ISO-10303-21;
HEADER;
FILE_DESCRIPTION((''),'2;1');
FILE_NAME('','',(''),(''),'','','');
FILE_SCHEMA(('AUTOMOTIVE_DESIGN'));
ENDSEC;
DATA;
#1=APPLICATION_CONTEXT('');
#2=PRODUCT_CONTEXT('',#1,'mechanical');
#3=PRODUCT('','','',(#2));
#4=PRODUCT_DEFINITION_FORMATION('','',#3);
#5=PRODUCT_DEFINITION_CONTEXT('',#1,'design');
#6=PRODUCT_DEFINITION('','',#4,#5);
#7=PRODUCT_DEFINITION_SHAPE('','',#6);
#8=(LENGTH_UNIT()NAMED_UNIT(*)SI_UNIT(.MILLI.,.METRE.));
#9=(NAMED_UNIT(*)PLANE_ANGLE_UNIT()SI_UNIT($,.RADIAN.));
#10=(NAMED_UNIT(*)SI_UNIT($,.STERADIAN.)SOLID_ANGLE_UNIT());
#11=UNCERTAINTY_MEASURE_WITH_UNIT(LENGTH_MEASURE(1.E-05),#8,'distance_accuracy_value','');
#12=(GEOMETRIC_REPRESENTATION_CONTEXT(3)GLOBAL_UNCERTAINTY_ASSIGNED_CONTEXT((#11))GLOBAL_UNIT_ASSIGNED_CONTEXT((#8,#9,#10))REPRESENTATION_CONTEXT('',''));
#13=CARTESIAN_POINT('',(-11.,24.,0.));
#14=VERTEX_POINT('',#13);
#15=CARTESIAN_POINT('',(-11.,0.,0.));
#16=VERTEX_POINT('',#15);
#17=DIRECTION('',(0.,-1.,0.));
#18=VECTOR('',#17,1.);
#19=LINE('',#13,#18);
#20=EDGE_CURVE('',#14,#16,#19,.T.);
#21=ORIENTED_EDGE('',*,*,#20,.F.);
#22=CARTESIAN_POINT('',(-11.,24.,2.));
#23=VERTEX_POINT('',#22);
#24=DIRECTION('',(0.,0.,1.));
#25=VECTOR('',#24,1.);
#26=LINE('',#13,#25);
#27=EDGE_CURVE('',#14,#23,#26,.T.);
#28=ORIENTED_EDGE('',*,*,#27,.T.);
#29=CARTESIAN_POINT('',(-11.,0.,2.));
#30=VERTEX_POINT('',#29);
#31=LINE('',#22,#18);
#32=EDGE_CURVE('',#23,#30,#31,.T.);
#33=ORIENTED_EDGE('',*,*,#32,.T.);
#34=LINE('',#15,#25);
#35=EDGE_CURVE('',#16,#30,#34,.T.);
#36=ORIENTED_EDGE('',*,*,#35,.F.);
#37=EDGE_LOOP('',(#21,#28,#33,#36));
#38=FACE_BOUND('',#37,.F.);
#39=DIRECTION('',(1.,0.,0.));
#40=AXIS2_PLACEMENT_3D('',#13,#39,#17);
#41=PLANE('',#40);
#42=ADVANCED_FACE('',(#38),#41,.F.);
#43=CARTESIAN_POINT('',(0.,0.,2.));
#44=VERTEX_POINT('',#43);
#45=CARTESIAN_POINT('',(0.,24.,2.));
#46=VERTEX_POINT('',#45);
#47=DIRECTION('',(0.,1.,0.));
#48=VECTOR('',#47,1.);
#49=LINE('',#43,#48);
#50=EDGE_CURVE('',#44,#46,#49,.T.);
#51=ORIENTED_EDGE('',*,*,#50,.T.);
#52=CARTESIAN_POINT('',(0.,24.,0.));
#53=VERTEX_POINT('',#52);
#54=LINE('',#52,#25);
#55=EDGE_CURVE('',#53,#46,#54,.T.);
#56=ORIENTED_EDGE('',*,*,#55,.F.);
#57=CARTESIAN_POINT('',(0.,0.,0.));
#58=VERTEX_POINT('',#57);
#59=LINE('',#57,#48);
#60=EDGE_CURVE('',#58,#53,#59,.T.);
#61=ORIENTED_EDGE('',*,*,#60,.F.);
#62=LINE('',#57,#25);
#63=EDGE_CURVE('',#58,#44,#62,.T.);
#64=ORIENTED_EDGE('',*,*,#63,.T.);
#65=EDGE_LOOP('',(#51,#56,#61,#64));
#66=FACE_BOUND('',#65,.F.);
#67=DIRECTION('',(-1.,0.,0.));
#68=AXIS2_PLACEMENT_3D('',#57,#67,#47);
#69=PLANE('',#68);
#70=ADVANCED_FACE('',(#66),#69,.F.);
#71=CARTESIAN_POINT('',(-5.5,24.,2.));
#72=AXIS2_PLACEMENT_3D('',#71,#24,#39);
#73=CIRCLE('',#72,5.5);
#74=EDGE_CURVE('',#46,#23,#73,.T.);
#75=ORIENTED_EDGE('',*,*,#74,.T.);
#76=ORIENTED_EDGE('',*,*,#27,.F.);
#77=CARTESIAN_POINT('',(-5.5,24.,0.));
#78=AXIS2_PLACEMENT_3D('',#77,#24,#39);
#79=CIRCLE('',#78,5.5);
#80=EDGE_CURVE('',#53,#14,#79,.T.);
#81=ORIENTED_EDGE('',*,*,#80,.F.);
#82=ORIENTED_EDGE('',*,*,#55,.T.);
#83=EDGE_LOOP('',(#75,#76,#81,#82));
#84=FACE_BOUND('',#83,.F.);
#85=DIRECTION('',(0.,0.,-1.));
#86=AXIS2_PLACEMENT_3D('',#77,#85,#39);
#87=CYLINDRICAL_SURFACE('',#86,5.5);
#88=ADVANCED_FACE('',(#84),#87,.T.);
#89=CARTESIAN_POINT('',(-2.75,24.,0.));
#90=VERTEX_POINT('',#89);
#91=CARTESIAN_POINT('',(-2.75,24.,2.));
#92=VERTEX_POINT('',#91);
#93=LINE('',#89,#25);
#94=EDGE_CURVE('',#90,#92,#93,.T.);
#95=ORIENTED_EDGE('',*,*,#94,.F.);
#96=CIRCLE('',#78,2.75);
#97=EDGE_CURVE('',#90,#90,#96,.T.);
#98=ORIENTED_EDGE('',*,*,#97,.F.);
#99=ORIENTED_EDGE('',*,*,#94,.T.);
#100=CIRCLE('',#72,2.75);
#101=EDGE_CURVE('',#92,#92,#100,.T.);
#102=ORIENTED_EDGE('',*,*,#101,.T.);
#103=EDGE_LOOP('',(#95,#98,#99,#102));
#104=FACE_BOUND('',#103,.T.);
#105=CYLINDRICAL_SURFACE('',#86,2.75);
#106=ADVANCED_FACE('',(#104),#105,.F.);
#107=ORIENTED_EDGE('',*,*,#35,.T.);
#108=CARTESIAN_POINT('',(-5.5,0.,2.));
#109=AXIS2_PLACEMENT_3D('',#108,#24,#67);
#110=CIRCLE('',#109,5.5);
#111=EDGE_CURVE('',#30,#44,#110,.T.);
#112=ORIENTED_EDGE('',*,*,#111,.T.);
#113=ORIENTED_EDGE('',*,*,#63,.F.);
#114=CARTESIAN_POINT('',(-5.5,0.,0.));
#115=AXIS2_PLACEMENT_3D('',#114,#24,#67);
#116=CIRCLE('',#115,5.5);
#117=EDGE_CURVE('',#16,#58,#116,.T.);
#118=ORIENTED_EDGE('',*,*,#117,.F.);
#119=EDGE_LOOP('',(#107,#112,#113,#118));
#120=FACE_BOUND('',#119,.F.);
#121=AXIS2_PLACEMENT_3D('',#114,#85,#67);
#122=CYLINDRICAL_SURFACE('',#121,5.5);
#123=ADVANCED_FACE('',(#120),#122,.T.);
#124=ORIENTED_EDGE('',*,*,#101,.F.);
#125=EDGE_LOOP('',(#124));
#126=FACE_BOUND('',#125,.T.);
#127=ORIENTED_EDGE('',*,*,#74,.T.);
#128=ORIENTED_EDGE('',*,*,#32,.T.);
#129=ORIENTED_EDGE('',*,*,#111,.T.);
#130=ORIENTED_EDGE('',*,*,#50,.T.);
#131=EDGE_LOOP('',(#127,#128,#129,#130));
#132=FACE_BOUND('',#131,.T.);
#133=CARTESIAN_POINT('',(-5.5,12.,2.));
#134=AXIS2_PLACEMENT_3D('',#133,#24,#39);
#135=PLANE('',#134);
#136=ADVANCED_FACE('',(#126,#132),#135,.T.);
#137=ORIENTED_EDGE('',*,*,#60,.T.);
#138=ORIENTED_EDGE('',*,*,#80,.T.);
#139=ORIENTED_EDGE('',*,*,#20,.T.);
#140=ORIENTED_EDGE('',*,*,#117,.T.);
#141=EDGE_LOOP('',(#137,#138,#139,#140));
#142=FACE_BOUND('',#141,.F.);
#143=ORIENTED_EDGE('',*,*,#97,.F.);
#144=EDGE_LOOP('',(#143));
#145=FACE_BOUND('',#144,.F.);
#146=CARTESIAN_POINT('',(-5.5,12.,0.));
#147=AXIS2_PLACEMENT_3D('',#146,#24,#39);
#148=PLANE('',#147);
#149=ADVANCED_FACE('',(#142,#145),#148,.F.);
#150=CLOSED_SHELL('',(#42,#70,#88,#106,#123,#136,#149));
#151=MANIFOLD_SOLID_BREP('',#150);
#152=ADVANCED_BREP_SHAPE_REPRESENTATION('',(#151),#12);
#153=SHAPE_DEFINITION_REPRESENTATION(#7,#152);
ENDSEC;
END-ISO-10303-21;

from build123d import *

# Parameters (mm, degrees)
F0_R     = 2.75
F1_DEPTH = 2


with BuildPart() as f1:
    # F0 (on Top) → F1 (new body)
    with BuildSketch(Plane.XY):
        with BuildLine():
            Line((0, 0), (0, 24))
            ThreePointArc((0, 24), (-5.5, 29.5), (-11, 24))
            Line((-11, 24), (-11, 0))
            ThreePointArc((-11, 0), (-5.5, -5.5), (0, 0))
        make_face()
        with Locations((-5.5, 24)):
            Circle(F0_R, mode=Mode.SUBTRACT)
    extrude(amount=F1_DEPTH)


solid = f1.part
